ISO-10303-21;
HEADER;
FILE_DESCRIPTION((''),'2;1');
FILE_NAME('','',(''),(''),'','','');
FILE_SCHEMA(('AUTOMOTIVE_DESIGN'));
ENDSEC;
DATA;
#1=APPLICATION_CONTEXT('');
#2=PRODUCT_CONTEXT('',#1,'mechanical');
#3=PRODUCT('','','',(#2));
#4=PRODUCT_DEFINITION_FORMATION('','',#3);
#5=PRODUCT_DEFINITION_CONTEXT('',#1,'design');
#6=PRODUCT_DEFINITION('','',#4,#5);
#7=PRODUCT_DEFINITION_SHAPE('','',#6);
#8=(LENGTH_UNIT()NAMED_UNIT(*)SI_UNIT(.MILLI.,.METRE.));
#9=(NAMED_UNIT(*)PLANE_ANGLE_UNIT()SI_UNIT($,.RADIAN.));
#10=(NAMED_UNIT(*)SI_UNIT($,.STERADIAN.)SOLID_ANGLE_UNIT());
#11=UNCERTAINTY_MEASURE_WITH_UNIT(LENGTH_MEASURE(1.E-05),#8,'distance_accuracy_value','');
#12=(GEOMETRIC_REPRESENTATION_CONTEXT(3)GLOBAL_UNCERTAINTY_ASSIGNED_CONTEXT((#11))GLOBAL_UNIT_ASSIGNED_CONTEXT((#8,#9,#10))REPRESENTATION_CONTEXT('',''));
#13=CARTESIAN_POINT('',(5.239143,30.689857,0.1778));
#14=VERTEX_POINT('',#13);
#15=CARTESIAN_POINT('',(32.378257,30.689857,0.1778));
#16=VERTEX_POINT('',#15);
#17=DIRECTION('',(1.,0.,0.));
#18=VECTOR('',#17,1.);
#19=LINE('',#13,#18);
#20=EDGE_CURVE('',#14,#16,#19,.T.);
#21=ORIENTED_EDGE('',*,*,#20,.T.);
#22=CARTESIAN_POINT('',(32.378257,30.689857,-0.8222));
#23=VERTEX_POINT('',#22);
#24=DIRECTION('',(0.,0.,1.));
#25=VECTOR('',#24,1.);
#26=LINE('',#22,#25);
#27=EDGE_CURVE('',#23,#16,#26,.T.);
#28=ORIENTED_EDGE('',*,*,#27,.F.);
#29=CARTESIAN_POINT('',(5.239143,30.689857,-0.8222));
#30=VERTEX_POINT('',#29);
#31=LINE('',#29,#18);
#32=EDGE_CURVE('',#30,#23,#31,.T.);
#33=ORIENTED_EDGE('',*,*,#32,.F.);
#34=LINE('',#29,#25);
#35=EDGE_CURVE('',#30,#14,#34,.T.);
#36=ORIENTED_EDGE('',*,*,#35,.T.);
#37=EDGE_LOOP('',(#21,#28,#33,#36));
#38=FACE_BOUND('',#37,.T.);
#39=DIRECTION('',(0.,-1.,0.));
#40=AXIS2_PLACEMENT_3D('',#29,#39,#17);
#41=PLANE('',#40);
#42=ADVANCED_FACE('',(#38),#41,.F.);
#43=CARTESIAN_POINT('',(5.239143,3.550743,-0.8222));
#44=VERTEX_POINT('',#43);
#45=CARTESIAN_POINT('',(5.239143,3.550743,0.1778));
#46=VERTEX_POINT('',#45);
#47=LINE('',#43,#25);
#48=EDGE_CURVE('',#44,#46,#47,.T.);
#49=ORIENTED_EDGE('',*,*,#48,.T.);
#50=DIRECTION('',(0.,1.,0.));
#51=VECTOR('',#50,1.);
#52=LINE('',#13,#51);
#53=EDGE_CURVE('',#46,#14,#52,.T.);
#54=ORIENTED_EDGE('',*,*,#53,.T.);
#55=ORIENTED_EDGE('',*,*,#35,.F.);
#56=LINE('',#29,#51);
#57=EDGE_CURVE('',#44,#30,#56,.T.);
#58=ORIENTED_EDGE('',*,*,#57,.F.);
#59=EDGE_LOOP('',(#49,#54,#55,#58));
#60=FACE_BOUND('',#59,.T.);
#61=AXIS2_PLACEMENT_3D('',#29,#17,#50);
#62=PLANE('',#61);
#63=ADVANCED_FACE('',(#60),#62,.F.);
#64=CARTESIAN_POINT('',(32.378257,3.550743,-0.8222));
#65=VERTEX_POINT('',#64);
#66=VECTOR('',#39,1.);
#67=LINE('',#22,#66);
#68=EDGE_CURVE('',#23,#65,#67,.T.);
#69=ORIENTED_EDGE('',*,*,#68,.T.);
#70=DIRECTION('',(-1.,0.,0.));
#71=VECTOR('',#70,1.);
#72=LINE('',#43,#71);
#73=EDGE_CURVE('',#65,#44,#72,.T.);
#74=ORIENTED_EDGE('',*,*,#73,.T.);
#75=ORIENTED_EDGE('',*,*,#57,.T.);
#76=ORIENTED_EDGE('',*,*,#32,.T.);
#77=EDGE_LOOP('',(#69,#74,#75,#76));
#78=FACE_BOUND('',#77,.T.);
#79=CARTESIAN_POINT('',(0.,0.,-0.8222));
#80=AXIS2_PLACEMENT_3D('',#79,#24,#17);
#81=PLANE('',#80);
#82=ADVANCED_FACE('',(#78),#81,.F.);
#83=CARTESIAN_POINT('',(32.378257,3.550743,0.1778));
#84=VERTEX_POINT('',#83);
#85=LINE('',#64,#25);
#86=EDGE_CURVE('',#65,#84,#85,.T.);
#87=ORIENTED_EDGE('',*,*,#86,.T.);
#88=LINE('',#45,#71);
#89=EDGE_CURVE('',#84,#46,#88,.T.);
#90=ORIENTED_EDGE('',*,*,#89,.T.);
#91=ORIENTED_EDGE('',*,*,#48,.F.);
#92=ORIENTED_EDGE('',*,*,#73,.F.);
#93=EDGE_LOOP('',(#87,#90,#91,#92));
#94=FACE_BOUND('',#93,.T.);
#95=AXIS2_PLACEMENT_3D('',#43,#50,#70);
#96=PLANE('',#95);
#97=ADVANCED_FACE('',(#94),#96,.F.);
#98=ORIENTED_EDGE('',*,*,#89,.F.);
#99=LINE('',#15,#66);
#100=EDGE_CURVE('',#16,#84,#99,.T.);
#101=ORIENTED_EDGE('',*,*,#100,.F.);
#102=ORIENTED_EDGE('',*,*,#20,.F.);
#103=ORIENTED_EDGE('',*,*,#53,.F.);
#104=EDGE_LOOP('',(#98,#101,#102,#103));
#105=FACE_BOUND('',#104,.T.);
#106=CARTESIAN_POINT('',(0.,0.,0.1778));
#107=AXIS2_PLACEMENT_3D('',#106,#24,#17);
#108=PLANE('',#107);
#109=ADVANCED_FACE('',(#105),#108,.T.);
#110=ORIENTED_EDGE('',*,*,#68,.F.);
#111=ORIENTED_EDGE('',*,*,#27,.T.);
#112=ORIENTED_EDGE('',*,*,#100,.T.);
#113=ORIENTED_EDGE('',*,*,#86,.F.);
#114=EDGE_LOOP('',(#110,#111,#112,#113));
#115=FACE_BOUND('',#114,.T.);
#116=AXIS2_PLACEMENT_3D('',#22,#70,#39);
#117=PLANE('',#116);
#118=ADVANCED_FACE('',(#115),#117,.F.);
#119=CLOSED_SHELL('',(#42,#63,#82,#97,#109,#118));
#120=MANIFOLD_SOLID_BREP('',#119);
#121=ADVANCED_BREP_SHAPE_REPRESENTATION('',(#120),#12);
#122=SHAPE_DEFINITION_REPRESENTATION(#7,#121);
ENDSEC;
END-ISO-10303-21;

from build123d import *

# Parameters (mm, degrees)
SKETCH_1_W      = 27.139113671
SKETCH_1_H      = 27.13911367
EXTRUDE_1_DEPTH = 1


with BuildPart() as part:
    # 草图1 → 凸台-拉伸1 (new body)
    with BuildSketch(Plane(origin=(0, 0, 0.17779991), x_dir=(-1, 0, 0), z_dir=(0, 0, -1))):
        with Locations((-18.808700085, 17.120299825)):
            Rectangle(SKETCH_1_W, SKETCH_1_H)
    extrude(amount=EXTRUDE_1_DEPTH)


solid = part.part
